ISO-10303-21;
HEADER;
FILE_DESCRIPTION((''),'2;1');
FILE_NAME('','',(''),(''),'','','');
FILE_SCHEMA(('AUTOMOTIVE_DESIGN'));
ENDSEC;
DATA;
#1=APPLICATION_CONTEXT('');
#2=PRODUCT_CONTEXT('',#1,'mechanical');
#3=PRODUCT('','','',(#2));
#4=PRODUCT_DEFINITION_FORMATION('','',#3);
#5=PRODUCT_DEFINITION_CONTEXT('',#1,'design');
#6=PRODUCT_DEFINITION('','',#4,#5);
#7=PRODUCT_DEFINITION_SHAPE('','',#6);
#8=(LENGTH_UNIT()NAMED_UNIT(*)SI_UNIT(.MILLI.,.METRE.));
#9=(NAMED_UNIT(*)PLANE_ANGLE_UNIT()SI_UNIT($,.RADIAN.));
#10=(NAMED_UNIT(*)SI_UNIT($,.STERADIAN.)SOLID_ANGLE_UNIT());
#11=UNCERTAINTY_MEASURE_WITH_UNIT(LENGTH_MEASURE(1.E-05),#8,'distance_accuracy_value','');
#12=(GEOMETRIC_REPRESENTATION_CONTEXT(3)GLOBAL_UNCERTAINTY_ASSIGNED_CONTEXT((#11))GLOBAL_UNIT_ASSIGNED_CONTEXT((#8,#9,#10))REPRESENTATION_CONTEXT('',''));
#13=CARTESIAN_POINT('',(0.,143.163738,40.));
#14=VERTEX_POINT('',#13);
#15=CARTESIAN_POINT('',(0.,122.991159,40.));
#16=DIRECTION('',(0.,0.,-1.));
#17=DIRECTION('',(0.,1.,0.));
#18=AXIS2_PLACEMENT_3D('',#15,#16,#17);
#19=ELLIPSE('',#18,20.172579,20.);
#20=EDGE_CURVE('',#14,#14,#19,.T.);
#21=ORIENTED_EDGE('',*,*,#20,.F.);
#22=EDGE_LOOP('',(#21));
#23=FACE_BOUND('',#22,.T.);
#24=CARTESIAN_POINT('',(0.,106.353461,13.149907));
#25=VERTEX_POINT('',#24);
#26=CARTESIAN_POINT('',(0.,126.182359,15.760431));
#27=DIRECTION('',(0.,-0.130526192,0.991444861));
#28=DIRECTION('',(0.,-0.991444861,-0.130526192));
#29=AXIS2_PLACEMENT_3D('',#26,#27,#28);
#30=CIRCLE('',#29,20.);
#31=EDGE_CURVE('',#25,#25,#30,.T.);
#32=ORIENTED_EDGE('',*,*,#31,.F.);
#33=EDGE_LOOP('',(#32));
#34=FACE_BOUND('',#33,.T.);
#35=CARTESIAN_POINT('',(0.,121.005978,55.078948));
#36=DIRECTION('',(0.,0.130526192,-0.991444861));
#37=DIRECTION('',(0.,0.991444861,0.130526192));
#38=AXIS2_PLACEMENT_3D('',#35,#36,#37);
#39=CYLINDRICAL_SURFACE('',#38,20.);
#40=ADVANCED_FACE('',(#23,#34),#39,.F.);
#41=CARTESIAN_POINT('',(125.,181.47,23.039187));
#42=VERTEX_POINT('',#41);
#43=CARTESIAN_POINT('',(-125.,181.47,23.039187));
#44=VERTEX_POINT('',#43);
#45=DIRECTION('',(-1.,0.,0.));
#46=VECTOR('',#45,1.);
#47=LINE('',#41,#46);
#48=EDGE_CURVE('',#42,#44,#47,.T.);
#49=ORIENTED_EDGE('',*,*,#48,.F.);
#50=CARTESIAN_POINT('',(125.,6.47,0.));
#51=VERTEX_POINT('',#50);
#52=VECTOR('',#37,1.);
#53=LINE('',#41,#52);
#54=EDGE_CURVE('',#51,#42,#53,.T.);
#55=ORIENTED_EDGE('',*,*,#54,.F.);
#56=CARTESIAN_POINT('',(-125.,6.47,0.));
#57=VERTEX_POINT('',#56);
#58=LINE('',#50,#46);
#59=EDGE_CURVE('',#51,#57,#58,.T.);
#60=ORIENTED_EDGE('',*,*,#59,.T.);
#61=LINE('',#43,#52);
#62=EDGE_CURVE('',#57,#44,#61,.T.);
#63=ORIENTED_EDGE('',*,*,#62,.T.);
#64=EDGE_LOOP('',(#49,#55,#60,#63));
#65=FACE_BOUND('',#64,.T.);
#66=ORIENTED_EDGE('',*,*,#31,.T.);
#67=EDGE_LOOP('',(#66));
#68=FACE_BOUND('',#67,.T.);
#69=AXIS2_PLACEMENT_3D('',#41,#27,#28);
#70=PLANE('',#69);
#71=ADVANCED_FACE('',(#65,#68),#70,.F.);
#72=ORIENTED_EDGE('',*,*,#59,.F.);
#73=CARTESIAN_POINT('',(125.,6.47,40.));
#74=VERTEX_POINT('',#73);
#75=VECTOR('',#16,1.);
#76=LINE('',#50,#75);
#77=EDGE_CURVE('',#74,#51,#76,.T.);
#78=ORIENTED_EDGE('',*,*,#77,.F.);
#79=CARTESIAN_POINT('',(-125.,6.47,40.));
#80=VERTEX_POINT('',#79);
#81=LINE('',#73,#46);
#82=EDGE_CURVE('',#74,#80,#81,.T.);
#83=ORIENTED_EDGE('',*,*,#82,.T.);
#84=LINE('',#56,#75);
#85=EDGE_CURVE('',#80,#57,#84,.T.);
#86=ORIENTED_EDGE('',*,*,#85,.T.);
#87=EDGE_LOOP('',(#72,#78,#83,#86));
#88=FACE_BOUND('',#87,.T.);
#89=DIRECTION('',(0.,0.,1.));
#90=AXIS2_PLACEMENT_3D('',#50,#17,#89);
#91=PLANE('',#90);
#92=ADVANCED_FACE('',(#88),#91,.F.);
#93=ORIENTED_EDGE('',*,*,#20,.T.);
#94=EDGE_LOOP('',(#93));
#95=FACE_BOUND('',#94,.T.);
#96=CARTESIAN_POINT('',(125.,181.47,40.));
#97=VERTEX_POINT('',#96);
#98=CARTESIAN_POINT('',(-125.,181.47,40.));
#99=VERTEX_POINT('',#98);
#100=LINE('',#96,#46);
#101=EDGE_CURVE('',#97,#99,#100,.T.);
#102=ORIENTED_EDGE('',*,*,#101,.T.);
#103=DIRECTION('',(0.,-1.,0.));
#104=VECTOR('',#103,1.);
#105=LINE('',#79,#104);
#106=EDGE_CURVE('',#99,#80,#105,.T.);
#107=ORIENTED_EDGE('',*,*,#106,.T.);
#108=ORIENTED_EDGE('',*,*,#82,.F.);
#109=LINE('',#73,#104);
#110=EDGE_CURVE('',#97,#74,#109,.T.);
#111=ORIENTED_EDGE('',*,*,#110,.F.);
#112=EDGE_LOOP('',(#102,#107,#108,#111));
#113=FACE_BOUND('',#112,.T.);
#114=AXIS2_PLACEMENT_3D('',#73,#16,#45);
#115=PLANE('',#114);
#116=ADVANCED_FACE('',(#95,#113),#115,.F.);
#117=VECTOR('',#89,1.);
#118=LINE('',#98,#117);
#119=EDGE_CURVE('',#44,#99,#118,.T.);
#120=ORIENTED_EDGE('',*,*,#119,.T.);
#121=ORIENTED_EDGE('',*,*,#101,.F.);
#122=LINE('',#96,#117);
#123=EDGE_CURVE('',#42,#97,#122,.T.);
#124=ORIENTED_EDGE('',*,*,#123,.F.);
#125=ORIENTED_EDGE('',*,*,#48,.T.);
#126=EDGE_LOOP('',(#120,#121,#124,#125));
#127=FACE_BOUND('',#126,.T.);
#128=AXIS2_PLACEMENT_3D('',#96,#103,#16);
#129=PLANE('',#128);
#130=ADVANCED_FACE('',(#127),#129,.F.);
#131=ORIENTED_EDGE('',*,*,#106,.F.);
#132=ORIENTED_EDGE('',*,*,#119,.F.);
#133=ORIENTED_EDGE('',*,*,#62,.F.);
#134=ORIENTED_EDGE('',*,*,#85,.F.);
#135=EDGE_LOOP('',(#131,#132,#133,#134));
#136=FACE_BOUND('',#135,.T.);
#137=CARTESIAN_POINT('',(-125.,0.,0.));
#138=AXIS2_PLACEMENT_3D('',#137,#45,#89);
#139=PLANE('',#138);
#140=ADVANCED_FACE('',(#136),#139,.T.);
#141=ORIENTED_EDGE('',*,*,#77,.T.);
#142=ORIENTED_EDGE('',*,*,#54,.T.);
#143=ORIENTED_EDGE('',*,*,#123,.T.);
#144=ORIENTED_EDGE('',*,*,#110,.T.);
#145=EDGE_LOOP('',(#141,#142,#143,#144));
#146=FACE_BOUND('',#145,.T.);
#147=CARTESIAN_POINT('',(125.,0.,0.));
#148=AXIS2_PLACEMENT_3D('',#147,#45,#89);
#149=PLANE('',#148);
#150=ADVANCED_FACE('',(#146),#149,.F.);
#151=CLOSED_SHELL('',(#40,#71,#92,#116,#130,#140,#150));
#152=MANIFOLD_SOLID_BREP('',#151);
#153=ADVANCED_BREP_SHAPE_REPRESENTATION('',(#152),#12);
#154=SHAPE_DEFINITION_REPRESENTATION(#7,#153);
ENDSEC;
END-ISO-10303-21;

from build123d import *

# Parameters (mm, degrees)
BOSS_EXTRUDE2_DEPTH     = 125
CUT_EXTRUDE1_DEPTH      = 225.548075315
CUT_EXTRUDE1_DEPTH_BACK = 225.548075315
SKETCH9_R               = 20


with BuildPart() as part:
    # Sketch7 → Boss-Extrude2 (new, symmetric)
    with BuildSketch(Plane(origin=(0, 0, 0), x_dir=(0, 0, -1), z_dir=(1, 0, 0))):
        Polygon((0, 6.47), (-40, 6.47), (-40, 181.47), (-23.039187078, 181.47), align=None)
    extrude(amount=BOSS_EXTRUDE2_DEPTH, both=True)

    # Sketch9 → Cut-Extrude1 (cut, two sides: drawn at the far end of the back side and taken through both)
    with BuildSketch(Plane(origin=(0, 0.893387105, -6.785948779), x_dir=(-1, 0, 0), z_dir=(0, 0.130526192220056, -0.9914448613738098)).offset(-CUT_EXTRUDE1_DEPTH_BACK)):
        with Locations(Location((0, 127.16, 0), (0, 0, 90))):
            Circle(SKETCH9_R)
    extrude(amount=CUT_EXTRUDE1_DEPTH + CUT_EXTRUDE1_DEPTH_BACK, mode=Mode.SUBTRACT)


solid = part.part
